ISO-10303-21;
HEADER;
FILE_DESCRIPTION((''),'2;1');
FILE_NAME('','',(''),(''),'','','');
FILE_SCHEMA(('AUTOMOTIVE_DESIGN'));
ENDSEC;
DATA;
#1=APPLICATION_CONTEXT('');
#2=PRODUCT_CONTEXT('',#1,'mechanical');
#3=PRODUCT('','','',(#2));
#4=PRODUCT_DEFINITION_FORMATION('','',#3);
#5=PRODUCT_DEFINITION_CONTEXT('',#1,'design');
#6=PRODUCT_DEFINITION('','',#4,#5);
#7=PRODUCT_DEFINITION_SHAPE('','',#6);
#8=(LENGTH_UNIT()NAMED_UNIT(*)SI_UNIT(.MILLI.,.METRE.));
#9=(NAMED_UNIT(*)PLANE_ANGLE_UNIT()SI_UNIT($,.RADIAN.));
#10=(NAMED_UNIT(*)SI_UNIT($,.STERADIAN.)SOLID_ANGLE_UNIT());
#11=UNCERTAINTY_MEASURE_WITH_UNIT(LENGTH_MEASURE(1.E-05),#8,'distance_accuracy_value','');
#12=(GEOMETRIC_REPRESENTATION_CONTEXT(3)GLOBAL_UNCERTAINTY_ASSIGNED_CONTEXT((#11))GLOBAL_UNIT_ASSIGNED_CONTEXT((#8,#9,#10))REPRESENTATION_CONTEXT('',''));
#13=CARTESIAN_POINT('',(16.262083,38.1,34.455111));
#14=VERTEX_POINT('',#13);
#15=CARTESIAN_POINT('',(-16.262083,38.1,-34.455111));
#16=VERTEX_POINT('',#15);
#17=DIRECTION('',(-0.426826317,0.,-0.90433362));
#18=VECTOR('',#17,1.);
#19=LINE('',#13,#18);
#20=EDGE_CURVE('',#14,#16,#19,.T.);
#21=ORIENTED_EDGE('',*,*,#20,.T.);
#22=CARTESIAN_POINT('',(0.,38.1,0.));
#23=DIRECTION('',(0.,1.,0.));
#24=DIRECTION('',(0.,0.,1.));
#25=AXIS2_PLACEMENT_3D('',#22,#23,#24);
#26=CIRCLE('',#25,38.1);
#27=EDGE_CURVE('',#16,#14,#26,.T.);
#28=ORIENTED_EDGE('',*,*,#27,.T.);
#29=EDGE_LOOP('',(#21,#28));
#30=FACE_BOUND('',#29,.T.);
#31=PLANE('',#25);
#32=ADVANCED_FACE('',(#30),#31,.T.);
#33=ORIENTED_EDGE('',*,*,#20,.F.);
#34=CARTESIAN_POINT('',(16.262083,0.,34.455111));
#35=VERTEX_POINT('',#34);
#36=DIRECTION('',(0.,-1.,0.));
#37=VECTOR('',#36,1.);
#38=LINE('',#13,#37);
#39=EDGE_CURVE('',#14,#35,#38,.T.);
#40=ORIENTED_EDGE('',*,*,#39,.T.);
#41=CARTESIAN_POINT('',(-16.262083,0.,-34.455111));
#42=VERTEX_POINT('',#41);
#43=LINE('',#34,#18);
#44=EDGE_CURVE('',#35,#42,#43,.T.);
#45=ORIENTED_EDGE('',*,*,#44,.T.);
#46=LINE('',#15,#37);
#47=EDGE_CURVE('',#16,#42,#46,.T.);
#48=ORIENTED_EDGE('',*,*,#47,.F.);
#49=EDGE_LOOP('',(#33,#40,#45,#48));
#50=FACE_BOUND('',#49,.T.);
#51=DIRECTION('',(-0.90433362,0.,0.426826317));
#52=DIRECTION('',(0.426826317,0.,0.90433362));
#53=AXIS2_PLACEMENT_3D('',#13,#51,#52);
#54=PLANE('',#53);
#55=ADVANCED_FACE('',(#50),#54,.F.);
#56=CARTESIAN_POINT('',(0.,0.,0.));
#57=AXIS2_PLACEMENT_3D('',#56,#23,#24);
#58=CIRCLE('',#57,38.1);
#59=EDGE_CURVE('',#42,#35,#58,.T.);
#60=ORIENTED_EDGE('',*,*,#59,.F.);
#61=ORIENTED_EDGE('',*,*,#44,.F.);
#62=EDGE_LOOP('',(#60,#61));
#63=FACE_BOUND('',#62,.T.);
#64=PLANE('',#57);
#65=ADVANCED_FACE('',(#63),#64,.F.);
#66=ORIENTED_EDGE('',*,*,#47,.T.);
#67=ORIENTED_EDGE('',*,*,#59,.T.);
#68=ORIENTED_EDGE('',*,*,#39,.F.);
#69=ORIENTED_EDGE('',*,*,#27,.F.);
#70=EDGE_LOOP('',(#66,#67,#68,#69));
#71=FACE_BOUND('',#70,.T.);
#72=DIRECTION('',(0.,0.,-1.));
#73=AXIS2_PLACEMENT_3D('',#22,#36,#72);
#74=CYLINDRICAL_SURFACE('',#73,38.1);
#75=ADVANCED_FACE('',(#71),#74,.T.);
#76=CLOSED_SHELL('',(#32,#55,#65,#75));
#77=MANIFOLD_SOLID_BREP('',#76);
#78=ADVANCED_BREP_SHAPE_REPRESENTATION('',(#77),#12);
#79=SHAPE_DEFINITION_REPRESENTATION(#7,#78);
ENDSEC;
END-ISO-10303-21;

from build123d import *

# Parameters (mm, degrees)
BOSS_EXTRUDE1_DEPTH = 38.1


with BuildPart() as part:
    # Sketch1 → Boss-Extrude1 (new body)
    with BuildSketch(Plane(origin=(0, 0, 0), x_dir=(1, 0, 0), z_dir=(0, 1, 0))):
        with BuildLine():
            Line((16.262082665, -34.455110904), (-16.262082665, 34.455110904))
            ThreePointArc((-16.262082665, 34.455110904), (-34.455110904, -16.262082665), (16.262082665, -34.455110904))
        make_face()
    extrude(amount=BOSS_EXTRUDE1_DEPTH)


solid = part.part
